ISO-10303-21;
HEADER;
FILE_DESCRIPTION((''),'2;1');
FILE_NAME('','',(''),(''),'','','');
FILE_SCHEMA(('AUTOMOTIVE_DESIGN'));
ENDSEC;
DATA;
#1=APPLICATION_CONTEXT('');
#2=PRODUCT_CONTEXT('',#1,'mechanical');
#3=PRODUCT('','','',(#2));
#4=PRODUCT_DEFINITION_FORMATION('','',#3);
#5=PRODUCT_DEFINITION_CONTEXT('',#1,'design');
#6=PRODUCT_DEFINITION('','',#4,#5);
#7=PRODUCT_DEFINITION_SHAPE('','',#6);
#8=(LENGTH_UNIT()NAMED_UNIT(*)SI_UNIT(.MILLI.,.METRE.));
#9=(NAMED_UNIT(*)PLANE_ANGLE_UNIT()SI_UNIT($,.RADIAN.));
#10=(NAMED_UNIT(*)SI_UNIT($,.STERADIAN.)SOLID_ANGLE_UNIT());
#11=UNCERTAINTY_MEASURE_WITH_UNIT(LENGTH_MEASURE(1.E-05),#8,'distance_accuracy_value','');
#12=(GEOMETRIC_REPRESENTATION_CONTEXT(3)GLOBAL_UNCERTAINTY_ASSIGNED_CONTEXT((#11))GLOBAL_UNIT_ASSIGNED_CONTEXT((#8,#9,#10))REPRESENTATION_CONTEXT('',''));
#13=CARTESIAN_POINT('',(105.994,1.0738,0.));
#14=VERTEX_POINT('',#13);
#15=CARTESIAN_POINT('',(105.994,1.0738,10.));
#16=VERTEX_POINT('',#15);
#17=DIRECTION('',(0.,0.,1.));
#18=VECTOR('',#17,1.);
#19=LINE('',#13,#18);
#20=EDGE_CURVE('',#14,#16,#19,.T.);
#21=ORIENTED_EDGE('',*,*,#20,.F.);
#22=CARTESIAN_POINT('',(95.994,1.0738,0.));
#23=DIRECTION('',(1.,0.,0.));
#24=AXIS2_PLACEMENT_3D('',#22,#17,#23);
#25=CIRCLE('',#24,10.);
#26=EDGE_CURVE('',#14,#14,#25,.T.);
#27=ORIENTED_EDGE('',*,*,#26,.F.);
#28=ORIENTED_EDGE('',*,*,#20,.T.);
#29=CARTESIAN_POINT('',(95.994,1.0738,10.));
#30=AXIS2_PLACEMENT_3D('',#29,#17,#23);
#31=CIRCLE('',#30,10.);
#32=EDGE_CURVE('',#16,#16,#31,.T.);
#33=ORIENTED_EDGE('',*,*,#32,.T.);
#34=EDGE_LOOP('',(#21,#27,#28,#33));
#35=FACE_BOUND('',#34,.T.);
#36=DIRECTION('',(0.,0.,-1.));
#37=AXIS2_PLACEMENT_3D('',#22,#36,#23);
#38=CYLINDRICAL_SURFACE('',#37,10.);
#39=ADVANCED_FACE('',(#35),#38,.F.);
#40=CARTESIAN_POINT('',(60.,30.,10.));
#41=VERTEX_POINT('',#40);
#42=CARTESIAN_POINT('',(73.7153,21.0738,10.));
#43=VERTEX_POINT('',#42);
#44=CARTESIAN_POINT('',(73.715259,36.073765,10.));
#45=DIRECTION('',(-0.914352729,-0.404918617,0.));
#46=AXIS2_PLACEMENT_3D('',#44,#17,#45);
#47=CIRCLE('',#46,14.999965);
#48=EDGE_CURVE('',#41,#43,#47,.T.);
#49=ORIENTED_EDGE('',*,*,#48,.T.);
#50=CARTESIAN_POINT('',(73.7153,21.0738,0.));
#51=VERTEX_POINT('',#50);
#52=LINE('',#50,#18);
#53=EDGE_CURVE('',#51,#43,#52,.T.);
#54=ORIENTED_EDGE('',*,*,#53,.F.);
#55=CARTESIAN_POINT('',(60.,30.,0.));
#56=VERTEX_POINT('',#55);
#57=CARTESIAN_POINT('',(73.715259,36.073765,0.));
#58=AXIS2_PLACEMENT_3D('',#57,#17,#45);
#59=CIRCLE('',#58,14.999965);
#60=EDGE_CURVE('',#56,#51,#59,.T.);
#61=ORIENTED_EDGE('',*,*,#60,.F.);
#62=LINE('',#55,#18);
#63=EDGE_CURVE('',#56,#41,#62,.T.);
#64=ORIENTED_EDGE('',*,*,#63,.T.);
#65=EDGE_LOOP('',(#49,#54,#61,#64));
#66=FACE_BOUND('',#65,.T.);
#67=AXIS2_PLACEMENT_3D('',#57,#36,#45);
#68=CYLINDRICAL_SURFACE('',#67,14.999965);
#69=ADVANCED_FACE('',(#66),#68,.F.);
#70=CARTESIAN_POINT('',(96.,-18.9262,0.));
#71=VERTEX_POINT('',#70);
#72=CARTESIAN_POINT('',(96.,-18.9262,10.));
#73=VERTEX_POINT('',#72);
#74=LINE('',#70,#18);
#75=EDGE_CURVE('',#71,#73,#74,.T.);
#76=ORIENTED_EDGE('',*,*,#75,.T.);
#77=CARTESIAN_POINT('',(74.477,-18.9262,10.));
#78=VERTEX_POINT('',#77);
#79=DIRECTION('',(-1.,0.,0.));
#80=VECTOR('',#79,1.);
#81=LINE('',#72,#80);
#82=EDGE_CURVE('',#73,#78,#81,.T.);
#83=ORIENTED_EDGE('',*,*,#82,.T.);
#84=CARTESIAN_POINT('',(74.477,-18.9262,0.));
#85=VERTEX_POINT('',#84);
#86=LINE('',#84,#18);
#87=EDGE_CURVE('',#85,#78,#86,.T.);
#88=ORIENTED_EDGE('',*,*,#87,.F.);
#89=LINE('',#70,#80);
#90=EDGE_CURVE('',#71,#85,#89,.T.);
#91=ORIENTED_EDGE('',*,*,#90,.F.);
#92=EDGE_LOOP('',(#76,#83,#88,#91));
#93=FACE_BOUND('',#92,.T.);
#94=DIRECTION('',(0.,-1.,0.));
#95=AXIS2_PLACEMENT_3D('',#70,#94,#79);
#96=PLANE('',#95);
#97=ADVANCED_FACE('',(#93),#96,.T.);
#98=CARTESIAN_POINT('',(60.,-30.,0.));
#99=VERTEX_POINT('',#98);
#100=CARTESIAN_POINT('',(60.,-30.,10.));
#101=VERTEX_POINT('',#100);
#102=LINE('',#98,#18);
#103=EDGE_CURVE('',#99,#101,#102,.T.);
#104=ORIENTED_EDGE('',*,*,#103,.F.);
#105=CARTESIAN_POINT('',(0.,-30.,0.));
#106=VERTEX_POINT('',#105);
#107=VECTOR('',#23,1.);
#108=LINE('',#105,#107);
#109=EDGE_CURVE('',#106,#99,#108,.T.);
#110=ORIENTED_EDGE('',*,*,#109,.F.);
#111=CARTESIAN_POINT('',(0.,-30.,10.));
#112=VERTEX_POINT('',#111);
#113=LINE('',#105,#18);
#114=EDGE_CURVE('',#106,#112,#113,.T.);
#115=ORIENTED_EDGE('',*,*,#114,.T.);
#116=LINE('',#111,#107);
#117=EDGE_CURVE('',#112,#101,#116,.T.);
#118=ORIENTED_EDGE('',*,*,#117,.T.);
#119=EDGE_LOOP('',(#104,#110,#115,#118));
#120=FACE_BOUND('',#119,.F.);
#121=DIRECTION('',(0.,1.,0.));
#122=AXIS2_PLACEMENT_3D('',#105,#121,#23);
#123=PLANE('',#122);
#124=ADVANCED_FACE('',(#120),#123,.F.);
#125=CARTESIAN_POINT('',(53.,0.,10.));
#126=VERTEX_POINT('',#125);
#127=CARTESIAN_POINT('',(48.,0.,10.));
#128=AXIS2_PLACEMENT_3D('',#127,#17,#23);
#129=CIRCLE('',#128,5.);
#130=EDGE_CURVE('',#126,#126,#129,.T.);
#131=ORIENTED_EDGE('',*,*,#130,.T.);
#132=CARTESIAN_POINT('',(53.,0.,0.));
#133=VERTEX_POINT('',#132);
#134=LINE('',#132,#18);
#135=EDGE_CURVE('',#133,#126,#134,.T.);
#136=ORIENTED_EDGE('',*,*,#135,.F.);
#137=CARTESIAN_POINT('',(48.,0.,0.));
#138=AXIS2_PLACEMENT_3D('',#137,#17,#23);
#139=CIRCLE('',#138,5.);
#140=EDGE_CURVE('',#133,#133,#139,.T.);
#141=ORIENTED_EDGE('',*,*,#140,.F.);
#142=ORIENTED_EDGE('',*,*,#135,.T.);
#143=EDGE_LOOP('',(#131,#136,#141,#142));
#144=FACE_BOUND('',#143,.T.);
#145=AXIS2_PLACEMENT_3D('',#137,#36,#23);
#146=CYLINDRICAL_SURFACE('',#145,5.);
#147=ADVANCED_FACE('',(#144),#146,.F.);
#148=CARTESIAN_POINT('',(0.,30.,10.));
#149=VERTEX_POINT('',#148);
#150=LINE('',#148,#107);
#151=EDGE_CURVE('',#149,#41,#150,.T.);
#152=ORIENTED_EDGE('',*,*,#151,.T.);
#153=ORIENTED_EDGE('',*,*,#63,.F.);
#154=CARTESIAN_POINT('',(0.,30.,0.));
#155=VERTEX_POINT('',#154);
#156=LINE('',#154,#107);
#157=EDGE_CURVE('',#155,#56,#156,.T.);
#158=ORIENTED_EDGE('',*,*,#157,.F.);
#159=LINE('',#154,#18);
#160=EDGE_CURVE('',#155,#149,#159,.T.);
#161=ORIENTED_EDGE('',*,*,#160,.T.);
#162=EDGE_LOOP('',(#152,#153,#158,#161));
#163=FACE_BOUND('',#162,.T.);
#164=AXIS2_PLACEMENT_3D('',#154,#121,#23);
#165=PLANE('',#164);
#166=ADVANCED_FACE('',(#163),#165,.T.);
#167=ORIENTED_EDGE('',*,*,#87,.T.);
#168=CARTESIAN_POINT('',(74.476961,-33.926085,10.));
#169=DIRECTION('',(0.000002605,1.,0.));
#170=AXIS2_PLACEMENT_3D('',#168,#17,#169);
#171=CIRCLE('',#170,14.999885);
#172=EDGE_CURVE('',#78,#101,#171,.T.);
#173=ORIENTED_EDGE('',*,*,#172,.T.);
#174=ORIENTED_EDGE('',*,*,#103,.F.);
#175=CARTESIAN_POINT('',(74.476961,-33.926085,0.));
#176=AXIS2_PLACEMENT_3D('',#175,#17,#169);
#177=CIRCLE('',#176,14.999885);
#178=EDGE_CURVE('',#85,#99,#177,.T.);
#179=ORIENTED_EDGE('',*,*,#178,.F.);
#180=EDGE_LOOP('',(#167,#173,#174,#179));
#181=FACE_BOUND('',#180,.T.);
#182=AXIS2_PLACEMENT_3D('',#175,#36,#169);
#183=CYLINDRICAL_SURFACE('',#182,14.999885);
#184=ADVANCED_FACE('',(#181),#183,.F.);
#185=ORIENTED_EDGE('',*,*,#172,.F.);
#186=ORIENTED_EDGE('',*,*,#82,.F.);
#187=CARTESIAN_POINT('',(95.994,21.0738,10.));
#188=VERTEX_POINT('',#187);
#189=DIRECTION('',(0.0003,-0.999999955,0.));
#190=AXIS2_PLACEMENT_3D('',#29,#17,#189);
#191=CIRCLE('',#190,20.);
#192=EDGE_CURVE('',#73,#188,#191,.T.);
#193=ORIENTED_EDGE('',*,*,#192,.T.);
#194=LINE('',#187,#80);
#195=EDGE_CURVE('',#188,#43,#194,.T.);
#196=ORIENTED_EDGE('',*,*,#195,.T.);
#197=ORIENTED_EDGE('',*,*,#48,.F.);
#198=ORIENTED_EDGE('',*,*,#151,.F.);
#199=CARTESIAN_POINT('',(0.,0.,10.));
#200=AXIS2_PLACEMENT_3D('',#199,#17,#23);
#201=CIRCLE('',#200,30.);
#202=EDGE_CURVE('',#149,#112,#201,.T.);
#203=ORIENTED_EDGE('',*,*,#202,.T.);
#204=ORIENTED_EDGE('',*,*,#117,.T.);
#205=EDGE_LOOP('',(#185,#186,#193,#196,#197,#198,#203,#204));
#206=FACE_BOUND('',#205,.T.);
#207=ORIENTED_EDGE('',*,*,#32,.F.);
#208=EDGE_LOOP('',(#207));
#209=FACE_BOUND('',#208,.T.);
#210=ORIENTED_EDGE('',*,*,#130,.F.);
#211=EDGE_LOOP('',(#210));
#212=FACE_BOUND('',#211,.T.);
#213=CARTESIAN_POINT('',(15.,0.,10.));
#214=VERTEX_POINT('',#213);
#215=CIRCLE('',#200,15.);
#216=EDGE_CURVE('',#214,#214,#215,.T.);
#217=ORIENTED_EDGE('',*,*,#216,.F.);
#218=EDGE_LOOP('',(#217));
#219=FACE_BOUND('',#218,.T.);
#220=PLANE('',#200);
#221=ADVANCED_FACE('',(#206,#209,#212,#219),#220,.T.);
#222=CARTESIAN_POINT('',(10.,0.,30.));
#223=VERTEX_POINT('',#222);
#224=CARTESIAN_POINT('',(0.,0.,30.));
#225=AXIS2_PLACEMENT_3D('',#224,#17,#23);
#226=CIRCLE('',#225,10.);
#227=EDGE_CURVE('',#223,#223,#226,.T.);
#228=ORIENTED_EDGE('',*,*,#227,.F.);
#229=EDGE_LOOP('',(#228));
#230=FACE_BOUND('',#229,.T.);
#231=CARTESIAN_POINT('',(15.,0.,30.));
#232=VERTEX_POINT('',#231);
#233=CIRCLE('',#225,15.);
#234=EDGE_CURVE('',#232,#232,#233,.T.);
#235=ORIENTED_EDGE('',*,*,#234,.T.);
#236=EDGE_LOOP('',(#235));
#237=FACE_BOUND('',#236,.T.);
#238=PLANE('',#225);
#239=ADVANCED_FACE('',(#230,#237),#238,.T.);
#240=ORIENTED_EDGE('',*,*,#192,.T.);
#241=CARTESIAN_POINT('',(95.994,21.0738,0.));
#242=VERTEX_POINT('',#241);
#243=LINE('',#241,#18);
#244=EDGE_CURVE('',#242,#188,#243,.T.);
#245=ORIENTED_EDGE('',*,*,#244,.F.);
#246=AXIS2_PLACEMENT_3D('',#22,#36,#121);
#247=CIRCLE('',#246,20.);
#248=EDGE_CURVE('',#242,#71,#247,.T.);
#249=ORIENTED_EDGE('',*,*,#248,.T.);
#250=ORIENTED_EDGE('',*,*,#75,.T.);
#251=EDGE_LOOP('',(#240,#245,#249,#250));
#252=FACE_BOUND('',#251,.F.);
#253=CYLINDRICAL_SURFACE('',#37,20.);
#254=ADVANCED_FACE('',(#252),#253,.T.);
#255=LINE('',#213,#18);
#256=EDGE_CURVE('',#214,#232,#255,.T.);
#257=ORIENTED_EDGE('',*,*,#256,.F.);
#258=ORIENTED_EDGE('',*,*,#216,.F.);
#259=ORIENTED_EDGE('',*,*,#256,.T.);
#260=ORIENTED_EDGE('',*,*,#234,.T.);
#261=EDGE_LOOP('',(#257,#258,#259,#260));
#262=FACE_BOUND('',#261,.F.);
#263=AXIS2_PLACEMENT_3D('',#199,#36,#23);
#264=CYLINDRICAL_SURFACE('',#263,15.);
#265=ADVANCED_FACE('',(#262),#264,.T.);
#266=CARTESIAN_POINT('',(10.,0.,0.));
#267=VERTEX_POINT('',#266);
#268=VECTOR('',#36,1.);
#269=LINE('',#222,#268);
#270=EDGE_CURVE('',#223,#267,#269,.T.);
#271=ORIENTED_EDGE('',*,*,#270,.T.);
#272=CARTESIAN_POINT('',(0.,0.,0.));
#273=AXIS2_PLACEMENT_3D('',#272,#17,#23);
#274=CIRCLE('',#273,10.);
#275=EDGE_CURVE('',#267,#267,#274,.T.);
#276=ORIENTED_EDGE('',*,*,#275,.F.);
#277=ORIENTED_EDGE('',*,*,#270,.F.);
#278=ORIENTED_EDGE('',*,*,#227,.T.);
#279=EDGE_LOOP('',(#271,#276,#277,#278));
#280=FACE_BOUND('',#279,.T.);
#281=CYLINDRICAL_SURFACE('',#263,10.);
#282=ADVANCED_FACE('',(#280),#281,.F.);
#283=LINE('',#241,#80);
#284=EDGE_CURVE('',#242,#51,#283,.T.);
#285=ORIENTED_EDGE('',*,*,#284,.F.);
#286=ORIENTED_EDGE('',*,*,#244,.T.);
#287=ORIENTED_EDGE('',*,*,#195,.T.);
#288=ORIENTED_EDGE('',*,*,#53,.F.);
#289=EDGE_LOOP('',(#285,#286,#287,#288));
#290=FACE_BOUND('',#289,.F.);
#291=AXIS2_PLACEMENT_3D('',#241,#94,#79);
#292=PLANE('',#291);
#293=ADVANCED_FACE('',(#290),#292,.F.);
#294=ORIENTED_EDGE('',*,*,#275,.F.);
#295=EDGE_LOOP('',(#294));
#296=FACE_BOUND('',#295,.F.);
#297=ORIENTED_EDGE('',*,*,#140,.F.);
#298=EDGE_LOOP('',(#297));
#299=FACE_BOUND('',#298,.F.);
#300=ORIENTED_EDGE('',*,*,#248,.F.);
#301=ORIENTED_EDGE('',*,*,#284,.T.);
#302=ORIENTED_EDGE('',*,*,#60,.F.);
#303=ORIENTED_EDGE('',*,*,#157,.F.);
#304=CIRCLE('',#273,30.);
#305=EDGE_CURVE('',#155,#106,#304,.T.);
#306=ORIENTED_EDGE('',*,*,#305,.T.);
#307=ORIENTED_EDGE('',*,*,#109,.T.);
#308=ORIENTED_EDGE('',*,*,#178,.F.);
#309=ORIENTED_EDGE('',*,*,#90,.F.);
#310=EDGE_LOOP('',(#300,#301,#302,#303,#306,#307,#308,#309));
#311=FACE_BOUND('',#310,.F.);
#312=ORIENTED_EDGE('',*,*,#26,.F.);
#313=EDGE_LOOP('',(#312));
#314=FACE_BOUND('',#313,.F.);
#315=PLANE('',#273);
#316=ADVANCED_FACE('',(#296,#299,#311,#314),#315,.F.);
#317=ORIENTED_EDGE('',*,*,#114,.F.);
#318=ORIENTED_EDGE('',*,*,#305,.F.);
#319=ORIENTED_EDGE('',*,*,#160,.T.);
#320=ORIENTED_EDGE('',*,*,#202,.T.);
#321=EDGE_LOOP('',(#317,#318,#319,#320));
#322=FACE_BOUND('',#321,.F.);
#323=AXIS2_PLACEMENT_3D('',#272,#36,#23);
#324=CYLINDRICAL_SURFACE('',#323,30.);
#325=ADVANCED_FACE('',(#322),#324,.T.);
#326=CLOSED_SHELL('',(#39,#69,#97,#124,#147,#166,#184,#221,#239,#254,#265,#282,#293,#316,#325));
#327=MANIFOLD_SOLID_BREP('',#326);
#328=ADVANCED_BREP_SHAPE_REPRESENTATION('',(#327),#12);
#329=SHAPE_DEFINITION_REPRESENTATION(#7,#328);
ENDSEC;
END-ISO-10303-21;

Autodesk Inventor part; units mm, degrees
ref_plane "YZ Plane" through (0, 0, 0) normal (1, 0, 0) x (0, 1, 0)
ref_plane "XZ Plane" through (0, 0, 0) normal (0, 1, 0) x (-1, 0, 0)
ref_plane "XY Plane" through (0, 0, 0) normal (0, 0, 1) x (1, 0, 0)
sketch "Sketch1" plane through (0, 0, 0) normal (0, 0, 1) x (1, 0, 0)
  circle A0 centre (0, 0) radius 15
  circle A1 centre (0, 0) radius 10
  circle A2 centre (0, 0) radius 30
  circle A3 centre (95.994, 1.0738) radius 10
  circle A4 centre (95.994, 1.0738) radius 20
  circle A5 centre (48, 0) radius 5
  line L0 (96, -18.9262) -> (74.477, -18.9262)
  line L1 (0, -30) -> (60, -30)
  arc A6 (74.477, -18.9262) -> (60, -30) centre (74.477, -33.9262) ccw
  line L2 (0, 30) -> (60, 30)
  line L3 (95.994, 21.0738) -> (73.7153, 21.0738)
  arc A7 (60, 30) -> (73.7153, 21.0738) centre (73.7153, 36.0738) ccw
  dimension "d0" = 30
  dimension "d1" = 20
  dimension "d2" = 60
  dimension "d6" = 20
  dimension "d7" = 40
  dimension "d8" = 10
  dimension "d9" = 48
  dimension "d10" = 96
  dimension "d11" = 60
  dimension "d12" = 30
  dimension "d13" = 60
  dimension "d14" = 30
extrude "Extrusion1" add sketch "Sketch1" along normal blind 10 contours A0 | A2 | A4 | A2 L2 A7 L3 A4 L0 A6 L1
sketch "Sketch2" plane through (0, 0, 10) normal (0, 0, 1) x (1, 0, 0)
  circle A0 centre (0, 0) radius 10
  circle A1 centre (0, 0) radius 15
  dimension "d17" = 20
  dimension "d18" = 30
extrude "Extrusion2" add sketch "Sketch2" along normal blind 20
properties part number "4-3"
